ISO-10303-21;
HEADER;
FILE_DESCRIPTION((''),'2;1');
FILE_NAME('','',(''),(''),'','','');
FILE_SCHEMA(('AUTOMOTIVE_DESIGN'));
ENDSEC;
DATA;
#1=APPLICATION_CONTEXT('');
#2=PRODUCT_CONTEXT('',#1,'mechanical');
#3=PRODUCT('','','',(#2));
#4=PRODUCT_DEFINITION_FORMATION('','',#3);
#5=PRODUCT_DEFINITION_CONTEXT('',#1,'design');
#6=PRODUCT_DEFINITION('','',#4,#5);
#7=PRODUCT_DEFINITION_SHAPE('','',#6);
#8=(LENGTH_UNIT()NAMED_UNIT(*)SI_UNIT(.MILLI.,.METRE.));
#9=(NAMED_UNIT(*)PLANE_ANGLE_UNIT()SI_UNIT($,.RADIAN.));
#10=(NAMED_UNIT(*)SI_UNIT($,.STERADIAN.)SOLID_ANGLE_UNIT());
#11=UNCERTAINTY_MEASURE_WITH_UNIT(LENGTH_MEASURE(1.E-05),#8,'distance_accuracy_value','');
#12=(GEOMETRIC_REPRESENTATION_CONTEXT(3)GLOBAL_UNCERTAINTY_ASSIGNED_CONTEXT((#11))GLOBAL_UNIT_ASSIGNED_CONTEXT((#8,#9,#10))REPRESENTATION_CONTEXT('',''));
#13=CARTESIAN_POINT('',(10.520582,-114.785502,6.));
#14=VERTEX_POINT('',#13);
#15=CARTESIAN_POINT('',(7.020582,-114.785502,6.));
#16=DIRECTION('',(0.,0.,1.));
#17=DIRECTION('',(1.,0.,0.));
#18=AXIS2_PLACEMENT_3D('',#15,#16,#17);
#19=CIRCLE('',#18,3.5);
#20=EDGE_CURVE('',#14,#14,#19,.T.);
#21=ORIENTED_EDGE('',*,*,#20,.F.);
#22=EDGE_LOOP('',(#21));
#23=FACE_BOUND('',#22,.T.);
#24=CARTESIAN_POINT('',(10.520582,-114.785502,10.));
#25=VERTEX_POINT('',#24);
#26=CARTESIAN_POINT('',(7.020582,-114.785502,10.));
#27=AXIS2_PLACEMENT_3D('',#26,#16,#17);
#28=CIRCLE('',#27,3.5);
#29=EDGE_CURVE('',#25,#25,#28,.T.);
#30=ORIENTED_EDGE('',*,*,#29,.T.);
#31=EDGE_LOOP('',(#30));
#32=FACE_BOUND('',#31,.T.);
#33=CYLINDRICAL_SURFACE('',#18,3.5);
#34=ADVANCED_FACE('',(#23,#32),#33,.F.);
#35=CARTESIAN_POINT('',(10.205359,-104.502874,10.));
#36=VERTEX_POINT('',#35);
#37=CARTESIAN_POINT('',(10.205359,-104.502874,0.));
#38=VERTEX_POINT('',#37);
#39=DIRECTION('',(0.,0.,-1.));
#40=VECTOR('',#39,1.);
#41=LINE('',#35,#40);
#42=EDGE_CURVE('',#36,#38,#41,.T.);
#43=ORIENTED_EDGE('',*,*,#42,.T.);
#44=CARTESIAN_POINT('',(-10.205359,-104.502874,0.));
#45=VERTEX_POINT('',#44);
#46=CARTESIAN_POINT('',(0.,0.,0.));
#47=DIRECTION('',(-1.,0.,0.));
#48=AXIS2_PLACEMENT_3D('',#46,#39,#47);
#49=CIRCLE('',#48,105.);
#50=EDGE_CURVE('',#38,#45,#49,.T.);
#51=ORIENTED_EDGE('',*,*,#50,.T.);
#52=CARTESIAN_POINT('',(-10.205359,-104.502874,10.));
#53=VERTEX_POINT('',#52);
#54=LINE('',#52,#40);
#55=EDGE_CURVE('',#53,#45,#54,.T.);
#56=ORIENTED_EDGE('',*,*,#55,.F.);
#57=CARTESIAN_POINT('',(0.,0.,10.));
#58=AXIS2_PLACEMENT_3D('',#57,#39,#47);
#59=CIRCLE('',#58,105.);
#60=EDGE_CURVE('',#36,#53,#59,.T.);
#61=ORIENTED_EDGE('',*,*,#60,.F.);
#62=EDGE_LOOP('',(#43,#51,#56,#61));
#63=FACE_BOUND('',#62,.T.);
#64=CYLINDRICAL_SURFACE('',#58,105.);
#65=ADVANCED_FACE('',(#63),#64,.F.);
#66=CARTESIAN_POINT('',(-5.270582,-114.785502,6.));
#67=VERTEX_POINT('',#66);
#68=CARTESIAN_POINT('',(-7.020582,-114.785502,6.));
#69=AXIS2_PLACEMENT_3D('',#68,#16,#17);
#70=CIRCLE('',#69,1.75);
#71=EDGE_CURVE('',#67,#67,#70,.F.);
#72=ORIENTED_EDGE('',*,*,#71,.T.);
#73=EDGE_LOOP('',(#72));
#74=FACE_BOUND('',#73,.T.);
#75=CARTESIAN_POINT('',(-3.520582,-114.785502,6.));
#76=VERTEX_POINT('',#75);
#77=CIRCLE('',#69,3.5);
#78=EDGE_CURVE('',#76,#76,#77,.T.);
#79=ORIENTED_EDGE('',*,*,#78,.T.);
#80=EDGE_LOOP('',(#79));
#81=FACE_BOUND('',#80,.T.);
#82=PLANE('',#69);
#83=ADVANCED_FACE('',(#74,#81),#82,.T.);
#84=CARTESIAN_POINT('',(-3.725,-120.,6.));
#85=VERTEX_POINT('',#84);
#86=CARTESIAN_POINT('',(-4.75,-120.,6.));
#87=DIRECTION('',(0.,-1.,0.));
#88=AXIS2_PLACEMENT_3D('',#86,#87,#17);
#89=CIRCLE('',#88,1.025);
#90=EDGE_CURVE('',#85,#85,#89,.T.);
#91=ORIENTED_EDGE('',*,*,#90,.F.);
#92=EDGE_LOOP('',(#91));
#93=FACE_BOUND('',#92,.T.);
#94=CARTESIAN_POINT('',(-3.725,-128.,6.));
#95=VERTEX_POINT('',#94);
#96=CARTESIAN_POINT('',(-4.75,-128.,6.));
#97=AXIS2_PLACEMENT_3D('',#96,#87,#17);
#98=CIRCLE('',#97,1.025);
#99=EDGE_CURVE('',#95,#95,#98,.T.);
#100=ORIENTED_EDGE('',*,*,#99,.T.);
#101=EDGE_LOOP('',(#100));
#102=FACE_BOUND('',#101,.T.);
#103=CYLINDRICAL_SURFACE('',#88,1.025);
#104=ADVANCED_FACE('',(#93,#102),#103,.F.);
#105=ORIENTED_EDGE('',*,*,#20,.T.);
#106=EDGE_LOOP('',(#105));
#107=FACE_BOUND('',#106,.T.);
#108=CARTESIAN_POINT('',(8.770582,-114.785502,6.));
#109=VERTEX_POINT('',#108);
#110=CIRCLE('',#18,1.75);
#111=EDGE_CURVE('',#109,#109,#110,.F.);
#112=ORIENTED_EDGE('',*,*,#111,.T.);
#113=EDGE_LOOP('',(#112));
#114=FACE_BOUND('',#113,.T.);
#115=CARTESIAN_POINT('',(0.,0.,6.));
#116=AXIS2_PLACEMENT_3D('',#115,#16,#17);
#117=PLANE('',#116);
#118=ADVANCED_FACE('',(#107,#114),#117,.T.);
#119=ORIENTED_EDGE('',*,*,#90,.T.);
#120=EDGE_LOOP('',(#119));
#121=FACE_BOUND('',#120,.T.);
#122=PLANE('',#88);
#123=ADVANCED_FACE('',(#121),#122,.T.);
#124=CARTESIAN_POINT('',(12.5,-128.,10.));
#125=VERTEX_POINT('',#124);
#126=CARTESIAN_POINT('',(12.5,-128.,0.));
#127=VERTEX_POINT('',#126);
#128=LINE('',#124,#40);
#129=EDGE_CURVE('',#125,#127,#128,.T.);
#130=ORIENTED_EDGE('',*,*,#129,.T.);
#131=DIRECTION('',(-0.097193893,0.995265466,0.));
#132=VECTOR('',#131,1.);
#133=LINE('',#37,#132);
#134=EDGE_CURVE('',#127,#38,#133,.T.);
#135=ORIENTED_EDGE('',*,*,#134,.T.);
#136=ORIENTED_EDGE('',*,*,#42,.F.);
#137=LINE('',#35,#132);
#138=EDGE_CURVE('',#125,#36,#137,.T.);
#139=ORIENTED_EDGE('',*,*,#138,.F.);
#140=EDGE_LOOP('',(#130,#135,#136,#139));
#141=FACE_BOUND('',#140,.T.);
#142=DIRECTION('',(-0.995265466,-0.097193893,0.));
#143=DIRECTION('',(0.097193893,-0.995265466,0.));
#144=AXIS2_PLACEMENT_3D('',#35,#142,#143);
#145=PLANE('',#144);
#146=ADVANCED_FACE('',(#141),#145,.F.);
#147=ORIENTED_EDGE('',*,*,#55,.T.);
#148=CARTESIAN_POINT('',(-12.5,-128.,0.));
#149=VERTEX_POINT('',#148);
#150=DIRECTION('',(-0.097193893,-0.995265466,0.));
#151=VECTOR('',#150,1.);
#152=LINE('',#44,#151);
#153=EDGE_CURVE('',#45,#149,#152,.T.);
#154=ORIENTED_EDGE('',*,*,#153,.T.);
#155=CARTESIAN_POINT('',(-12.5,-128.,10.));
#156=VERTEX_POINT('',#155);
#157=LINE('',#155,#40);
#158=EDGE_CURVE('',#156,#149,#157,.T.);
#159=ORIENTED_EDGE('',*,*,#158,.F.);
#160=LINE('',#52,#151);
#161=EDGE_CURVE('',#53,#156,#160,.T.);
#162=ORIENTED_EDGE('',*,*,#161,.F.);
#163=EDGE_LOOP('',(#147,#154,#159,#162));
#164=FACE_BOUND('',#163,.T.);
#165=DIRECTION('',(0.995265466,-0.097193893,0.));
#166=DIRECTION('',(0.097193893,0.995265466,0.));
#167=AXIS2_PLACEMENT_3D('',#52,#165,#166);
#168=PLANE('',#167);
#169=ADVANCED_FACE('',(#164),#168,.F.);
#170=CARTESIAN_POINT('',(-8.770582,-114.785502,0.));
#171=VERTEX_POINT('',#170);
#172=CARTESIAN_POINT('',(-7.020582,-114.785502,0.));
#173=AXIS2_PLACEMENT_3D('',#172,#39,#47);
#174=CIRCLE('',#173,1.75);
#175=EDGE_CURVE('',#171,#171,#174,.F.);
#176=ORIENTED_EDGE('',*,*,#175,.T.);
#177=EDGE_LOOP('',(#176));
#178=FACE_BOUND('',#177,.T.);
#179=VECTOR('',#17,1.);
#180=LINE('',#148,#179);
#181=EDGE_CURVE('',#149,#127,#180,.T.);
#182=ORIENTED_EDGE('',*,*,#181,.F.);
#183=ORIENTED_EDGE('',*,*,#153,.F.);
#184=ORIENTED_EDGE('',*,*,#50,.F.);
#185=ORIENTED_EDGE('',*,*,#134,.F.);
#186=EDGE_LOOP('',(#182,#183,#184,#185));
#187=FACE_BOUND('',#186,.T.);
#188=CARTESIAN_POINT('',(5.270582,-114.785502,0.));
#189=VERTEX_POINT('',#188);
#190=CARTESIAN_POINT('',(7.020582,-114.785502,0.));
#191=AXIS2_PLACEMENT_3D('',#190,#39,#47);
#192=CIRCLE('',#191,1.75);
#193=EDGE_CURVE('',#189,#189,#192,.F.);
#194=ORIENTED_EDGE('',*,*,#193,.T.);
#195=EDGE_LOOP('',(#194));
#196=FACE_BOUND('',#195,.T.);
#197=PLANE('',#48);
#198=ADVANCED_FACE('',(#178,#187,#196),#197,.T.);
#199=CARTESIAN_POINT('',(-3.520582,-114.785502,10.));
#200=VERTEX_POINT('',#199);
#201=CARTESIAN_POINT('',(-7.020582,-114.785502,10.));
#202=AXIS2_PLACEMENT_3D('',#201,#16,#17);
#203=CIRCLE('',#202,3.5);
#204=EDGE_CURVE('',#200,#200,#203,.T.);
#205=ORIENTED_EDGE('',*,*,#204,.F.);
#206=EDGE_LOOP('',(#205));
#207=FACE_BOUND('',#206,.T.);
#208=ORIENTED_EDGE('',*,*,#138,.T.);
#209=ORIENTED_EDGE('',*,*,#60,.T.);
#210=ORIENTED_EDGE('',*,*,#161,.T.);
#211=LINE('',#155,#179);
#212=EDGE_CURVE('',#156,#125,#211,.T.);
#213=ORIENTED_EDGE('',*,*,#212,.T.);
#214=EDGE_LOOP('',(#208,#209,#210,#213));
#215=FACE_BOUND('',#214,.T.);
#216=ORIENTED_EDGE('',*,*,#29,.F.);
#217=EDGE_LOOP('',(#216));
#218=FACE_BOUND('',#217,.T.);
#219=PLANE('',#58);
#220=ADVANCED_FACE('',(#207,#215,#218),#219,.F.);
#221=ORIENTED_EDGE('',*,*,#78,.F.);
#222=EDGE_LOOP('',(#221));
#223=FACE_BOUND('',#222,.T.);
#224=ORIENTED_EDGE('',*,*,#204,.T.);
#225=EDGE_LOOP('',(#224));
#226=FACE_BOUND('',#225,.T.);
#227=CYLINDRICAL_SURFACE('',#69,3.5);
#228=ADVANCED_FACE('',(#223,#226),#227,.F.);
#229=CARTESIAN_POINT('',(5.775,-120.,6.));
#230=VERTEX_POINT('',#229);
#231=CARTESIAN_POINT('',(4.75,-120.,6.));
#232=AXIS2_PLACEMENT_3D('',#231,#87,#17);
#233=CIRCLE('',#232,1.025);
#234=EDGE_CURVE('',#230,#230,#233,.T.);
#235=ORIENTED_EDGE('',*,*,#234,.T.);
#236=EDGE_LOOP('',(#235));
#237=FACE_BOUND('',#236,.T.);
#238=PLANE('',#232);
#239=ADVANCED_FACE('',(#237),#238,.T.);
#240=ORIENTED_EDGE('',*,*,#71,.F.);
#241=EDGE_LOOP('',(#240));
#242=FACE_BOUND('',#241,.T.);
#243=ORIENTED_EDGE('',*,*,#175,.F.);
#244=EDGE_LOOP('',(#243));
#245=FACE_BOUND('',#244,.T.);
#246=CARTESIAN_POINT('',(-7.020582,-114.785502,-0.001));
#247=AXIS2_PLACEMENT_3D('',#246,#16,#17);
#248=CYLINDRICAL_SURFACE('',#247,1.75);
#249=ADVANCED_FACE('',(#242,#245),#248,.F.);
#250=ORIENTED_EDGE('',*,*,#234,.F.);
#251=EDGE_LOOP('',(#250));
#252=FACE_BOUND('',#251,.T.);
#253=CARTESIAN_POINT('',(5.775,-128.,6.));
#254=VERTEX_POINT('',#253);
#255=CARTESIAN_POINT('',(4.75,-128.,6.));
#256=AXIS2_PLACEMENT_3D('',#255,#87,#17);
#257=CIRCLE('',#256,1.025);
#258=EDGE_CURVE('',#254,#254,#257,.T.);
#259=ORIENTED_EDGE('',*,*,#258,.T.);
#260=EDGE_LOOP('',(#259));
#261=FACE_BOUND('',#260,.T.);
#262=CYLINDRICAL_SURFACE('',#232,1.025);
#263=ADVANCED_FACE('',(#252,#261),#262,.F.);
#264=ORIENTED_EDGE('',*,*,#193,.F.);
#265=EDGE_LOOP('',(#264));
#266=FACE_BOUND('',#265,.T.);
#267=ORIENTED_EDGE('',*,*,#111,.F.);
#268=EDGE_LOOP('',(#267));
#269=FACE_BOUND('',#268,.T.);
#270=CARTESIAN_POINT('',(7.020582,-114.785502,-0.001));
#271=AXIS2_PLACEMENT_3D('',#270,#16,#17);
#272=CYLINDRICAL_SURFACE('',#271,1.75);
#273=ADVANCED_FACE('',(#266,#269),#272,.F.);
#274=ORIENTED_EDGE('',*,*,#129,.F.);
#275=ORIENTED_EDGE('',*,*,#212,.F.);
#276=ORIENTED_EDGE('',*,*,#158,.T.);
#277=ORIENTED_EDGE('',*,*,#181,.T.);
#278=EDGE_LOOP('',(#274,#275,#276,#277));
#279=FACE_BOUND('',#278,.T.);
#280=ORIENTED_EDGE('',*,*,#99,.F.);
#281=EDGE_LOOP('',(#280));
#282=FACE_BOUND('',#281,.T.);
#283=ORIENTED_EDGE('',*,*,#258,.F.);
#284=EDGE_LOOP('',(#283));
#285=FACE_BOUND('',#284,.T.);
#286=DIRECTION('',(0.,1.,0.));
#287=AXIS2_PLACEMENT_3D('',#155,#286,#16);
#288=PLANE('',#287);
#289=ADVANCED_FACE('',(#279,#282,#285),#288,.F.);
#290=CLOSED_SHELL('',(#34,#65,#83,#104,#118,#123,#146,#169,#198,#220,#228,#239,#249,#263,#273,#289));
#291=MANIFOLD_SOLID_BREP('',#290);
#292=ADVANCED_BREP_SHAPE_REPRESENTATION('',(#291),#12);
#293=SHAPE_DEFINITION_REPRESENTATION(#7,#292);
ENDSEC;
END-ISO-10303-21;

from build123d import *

# Parameters (mm, degrees)
BOSS_EXTRU_1_DEPTH      = 10
ESQUISSE2_R             = 1.025
ENL_V_MAT_EXTRU_1_DEPTH = 8
ENL_V_MAT_EXTRU_2_REACH = 130.997
ESQUISSE3_R             = 1.75
ESQUISSE4_R             = 3.5
ESQUISSE4_R_2           = 1.75
ENL_V_MAT_EXTRU_3_DEPTH = 4


with BuildPart() as part:
    # Esquisse1 → Boss.-Extru.1 (new body)
    with BuildSketch(Plane.XY):
        with BuildLine():
            Line((-12.5, -128), (12.5, -128))
            Line((12.5, -128), (10.205358779, -104.502873894))
            ThreePointArc((10.205358779, -104.502873894), (0, -105), (-10.205358779, -104.502873894))
            Line((-10.205358779, -104.502873894), (-12.5, -128))
        make_face()
    extrude(amount=BOSS_EXTRU_1_DEPTH)

    # Esquisse2 → Enlèv. mat.-Extru.1 (cut)
    with BuildSketch(Plane.XZ.offset(128)):
        with Locations((-4.75, 6)):
            Circle(ESQUISSE2_R)
        with Locations((4.75, 6)):
            Circle(ESQUISSE2_R)
    extrude(amount=-ENL_V_MAT_EXTRU_1_DEPTH, mode=Mode.SUBTRACT)

    # Esquisse3 → Enlèv. mat.-Extru.2 (cut, up to next)
    with BuildSketch(Plane.XY.offset(10), mode=Mode.PRIVATE) as enl_v_mat_extru_2_sk1:
        with Locations((-7.020582047, -114.785501819)):
            Circle(ESQUISSE3_R)
    enl_v_mat_extru_2_tool1 = extrude(enl_v_mat_extru_2_sk1.sketch, amount=-ENL_V_MAT_EXTRU_2_REACH, mode=Mode.PRIVATE) & part.part
    # Esquisse3 → Enlèv. mat.-Extru.2 (cut, up to next)
    with BuildSketch(Plane.XY.offset(10), mode=Mode.PRIVATE) as enl_v_mat_extru_2_sk2:
        with Locations((7.020582047, -114.785501819)):
            Circle(ESQUISSE3_R)
    enl_v_mat_extru_2_tool2 = extrude(enl_v_mat_extru_2_sk2.sketch, amount=-ENL_V_MAT_EXTRU_2_REACH, mode=Mode.PRIVATE) & part.part
    add(enl_v_mat_extru_2_tool1.solids().sort_by_distance((-7.020582, -114.785502, 10))[0], mode=Mode.SUBTRACT)
    add(enl_v_mat_extru_2_tool2.solids().sort_by_distance((7.020582, -114.785502, 10))[0], mode=Mode.SUBTRACT)

    # Esquisse4 → Enlèv. mat.-Extru.3 (cut)
    # profile 1 of 2: a face of its own
    with BuildSketch(Plane.XY.offset(10)):
        with Locations((7.020582047, -114.785501819)):
            Circle(ESQUISSE4_R)
        with Locations((7.020582047, -114.785501819)):
            Circle(ESQUISSE4_R_2, mode=Mode.SUBTRACT)
    # profile 2 of 2: a face of its own
    with BuildSketch(Plane.XY.offset(10)):
        with Locations((-7.020582047, -114.785501819)):
            Circle(ESQUISSE4_R)
    extrude(amount=-ENL_V_MAT_EXTRU_3_DEPTH, mode=Mode.SUBTRACT)


solid = part.part
